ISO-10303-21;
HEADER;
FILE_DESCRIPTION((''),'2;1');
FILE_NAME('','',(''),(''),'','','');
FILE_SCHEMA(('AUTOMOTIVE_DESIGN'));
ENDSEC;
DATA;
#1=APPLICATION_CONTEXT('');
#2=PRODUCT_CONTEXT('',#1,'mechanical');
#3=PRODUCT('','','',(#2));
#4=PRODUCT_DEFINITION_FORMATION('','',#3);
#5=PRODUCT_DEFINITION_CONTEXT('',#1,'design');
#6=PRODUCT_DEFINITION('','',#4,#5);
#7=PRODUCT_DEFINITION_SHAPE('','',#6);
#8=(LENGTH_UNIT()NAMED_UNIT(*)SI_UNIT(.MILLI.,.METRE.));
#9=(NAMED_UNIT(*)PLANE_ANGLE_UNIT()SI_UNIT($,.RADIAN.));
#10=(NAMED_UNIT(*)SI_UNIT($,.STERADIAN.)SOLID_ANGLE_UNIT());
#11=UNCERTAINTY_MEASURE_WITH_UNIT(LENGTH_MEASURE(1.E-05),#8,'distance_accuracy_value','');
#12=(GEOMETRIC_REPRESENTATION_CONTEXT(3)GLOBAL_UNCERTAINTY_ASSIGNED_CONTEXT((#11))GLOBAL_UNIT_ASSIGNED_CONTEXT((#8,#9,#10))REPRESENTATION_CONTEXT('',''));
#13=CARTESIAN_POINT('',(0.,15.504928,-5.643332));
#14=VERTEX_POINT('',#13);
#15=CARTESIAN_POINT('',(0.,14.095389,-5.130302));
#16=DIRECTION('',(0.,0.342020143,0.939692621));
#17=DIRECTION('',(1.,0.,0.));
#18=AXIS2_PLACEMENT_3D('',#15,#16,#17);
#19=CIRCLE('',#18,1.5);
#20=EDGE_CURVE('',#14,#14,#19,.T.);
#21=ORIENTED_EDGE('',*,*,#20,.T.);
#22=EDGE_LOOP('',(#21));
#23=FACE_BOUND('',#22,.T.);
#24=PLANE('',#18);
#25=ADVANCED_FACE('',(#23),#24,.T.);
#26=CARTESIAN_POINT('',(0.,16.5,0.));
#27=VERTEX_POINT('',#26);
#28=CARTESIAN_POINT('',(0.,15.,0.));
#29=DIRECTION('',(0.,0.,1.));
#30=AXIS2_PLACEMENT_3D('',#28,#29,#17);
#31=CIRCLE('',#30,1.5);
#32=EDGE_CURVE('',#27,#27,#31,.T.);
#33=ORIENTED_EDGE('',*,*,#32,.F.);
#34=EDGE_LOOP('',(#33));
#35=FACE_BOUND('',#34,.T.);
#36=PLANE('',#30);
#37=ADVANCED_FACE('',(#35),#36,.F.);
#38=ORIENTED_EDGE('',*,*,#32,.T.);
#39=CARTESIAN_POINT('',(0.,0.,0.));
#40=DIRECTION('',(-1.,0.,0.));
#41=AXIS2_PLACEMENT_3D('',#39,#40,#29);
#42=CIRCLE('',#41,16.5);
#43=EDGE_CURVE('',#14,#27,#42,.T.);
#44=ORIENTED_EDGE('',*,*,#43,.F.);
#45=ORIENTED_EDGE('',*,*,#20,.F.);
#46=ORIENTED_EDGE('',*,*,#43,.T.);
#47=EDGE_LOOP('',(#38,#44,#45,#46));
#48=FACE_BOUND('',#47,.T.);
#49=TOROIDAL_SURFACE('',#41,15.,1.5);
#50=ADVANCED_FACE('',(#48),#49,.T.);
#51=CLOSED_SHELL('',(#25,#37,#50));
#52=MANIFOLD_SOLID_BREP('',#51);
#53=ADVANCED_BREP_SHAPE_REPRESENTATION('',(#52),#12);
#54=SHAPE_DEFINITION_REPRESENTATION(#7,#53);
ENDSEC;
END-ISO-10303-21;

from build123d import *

# Parameters (mm, degrees)
ESQUISSE1_R       = 1.5
R_VOLUTION1_ANGLE = 340


with BuildPart() as part:
    # Esquisse1 → Révolution1 (revolve)
    with BuildSketch(Plane.XY):
        with Locations((0, 15)):
            Circle(ESQUISSE1_R)
    revolve(axis=Axis((-15.77032967, 0, 0), (1, 0, 0)), revolution_arc=R_VOLUTION1_ANGLE)


solid = part.part
